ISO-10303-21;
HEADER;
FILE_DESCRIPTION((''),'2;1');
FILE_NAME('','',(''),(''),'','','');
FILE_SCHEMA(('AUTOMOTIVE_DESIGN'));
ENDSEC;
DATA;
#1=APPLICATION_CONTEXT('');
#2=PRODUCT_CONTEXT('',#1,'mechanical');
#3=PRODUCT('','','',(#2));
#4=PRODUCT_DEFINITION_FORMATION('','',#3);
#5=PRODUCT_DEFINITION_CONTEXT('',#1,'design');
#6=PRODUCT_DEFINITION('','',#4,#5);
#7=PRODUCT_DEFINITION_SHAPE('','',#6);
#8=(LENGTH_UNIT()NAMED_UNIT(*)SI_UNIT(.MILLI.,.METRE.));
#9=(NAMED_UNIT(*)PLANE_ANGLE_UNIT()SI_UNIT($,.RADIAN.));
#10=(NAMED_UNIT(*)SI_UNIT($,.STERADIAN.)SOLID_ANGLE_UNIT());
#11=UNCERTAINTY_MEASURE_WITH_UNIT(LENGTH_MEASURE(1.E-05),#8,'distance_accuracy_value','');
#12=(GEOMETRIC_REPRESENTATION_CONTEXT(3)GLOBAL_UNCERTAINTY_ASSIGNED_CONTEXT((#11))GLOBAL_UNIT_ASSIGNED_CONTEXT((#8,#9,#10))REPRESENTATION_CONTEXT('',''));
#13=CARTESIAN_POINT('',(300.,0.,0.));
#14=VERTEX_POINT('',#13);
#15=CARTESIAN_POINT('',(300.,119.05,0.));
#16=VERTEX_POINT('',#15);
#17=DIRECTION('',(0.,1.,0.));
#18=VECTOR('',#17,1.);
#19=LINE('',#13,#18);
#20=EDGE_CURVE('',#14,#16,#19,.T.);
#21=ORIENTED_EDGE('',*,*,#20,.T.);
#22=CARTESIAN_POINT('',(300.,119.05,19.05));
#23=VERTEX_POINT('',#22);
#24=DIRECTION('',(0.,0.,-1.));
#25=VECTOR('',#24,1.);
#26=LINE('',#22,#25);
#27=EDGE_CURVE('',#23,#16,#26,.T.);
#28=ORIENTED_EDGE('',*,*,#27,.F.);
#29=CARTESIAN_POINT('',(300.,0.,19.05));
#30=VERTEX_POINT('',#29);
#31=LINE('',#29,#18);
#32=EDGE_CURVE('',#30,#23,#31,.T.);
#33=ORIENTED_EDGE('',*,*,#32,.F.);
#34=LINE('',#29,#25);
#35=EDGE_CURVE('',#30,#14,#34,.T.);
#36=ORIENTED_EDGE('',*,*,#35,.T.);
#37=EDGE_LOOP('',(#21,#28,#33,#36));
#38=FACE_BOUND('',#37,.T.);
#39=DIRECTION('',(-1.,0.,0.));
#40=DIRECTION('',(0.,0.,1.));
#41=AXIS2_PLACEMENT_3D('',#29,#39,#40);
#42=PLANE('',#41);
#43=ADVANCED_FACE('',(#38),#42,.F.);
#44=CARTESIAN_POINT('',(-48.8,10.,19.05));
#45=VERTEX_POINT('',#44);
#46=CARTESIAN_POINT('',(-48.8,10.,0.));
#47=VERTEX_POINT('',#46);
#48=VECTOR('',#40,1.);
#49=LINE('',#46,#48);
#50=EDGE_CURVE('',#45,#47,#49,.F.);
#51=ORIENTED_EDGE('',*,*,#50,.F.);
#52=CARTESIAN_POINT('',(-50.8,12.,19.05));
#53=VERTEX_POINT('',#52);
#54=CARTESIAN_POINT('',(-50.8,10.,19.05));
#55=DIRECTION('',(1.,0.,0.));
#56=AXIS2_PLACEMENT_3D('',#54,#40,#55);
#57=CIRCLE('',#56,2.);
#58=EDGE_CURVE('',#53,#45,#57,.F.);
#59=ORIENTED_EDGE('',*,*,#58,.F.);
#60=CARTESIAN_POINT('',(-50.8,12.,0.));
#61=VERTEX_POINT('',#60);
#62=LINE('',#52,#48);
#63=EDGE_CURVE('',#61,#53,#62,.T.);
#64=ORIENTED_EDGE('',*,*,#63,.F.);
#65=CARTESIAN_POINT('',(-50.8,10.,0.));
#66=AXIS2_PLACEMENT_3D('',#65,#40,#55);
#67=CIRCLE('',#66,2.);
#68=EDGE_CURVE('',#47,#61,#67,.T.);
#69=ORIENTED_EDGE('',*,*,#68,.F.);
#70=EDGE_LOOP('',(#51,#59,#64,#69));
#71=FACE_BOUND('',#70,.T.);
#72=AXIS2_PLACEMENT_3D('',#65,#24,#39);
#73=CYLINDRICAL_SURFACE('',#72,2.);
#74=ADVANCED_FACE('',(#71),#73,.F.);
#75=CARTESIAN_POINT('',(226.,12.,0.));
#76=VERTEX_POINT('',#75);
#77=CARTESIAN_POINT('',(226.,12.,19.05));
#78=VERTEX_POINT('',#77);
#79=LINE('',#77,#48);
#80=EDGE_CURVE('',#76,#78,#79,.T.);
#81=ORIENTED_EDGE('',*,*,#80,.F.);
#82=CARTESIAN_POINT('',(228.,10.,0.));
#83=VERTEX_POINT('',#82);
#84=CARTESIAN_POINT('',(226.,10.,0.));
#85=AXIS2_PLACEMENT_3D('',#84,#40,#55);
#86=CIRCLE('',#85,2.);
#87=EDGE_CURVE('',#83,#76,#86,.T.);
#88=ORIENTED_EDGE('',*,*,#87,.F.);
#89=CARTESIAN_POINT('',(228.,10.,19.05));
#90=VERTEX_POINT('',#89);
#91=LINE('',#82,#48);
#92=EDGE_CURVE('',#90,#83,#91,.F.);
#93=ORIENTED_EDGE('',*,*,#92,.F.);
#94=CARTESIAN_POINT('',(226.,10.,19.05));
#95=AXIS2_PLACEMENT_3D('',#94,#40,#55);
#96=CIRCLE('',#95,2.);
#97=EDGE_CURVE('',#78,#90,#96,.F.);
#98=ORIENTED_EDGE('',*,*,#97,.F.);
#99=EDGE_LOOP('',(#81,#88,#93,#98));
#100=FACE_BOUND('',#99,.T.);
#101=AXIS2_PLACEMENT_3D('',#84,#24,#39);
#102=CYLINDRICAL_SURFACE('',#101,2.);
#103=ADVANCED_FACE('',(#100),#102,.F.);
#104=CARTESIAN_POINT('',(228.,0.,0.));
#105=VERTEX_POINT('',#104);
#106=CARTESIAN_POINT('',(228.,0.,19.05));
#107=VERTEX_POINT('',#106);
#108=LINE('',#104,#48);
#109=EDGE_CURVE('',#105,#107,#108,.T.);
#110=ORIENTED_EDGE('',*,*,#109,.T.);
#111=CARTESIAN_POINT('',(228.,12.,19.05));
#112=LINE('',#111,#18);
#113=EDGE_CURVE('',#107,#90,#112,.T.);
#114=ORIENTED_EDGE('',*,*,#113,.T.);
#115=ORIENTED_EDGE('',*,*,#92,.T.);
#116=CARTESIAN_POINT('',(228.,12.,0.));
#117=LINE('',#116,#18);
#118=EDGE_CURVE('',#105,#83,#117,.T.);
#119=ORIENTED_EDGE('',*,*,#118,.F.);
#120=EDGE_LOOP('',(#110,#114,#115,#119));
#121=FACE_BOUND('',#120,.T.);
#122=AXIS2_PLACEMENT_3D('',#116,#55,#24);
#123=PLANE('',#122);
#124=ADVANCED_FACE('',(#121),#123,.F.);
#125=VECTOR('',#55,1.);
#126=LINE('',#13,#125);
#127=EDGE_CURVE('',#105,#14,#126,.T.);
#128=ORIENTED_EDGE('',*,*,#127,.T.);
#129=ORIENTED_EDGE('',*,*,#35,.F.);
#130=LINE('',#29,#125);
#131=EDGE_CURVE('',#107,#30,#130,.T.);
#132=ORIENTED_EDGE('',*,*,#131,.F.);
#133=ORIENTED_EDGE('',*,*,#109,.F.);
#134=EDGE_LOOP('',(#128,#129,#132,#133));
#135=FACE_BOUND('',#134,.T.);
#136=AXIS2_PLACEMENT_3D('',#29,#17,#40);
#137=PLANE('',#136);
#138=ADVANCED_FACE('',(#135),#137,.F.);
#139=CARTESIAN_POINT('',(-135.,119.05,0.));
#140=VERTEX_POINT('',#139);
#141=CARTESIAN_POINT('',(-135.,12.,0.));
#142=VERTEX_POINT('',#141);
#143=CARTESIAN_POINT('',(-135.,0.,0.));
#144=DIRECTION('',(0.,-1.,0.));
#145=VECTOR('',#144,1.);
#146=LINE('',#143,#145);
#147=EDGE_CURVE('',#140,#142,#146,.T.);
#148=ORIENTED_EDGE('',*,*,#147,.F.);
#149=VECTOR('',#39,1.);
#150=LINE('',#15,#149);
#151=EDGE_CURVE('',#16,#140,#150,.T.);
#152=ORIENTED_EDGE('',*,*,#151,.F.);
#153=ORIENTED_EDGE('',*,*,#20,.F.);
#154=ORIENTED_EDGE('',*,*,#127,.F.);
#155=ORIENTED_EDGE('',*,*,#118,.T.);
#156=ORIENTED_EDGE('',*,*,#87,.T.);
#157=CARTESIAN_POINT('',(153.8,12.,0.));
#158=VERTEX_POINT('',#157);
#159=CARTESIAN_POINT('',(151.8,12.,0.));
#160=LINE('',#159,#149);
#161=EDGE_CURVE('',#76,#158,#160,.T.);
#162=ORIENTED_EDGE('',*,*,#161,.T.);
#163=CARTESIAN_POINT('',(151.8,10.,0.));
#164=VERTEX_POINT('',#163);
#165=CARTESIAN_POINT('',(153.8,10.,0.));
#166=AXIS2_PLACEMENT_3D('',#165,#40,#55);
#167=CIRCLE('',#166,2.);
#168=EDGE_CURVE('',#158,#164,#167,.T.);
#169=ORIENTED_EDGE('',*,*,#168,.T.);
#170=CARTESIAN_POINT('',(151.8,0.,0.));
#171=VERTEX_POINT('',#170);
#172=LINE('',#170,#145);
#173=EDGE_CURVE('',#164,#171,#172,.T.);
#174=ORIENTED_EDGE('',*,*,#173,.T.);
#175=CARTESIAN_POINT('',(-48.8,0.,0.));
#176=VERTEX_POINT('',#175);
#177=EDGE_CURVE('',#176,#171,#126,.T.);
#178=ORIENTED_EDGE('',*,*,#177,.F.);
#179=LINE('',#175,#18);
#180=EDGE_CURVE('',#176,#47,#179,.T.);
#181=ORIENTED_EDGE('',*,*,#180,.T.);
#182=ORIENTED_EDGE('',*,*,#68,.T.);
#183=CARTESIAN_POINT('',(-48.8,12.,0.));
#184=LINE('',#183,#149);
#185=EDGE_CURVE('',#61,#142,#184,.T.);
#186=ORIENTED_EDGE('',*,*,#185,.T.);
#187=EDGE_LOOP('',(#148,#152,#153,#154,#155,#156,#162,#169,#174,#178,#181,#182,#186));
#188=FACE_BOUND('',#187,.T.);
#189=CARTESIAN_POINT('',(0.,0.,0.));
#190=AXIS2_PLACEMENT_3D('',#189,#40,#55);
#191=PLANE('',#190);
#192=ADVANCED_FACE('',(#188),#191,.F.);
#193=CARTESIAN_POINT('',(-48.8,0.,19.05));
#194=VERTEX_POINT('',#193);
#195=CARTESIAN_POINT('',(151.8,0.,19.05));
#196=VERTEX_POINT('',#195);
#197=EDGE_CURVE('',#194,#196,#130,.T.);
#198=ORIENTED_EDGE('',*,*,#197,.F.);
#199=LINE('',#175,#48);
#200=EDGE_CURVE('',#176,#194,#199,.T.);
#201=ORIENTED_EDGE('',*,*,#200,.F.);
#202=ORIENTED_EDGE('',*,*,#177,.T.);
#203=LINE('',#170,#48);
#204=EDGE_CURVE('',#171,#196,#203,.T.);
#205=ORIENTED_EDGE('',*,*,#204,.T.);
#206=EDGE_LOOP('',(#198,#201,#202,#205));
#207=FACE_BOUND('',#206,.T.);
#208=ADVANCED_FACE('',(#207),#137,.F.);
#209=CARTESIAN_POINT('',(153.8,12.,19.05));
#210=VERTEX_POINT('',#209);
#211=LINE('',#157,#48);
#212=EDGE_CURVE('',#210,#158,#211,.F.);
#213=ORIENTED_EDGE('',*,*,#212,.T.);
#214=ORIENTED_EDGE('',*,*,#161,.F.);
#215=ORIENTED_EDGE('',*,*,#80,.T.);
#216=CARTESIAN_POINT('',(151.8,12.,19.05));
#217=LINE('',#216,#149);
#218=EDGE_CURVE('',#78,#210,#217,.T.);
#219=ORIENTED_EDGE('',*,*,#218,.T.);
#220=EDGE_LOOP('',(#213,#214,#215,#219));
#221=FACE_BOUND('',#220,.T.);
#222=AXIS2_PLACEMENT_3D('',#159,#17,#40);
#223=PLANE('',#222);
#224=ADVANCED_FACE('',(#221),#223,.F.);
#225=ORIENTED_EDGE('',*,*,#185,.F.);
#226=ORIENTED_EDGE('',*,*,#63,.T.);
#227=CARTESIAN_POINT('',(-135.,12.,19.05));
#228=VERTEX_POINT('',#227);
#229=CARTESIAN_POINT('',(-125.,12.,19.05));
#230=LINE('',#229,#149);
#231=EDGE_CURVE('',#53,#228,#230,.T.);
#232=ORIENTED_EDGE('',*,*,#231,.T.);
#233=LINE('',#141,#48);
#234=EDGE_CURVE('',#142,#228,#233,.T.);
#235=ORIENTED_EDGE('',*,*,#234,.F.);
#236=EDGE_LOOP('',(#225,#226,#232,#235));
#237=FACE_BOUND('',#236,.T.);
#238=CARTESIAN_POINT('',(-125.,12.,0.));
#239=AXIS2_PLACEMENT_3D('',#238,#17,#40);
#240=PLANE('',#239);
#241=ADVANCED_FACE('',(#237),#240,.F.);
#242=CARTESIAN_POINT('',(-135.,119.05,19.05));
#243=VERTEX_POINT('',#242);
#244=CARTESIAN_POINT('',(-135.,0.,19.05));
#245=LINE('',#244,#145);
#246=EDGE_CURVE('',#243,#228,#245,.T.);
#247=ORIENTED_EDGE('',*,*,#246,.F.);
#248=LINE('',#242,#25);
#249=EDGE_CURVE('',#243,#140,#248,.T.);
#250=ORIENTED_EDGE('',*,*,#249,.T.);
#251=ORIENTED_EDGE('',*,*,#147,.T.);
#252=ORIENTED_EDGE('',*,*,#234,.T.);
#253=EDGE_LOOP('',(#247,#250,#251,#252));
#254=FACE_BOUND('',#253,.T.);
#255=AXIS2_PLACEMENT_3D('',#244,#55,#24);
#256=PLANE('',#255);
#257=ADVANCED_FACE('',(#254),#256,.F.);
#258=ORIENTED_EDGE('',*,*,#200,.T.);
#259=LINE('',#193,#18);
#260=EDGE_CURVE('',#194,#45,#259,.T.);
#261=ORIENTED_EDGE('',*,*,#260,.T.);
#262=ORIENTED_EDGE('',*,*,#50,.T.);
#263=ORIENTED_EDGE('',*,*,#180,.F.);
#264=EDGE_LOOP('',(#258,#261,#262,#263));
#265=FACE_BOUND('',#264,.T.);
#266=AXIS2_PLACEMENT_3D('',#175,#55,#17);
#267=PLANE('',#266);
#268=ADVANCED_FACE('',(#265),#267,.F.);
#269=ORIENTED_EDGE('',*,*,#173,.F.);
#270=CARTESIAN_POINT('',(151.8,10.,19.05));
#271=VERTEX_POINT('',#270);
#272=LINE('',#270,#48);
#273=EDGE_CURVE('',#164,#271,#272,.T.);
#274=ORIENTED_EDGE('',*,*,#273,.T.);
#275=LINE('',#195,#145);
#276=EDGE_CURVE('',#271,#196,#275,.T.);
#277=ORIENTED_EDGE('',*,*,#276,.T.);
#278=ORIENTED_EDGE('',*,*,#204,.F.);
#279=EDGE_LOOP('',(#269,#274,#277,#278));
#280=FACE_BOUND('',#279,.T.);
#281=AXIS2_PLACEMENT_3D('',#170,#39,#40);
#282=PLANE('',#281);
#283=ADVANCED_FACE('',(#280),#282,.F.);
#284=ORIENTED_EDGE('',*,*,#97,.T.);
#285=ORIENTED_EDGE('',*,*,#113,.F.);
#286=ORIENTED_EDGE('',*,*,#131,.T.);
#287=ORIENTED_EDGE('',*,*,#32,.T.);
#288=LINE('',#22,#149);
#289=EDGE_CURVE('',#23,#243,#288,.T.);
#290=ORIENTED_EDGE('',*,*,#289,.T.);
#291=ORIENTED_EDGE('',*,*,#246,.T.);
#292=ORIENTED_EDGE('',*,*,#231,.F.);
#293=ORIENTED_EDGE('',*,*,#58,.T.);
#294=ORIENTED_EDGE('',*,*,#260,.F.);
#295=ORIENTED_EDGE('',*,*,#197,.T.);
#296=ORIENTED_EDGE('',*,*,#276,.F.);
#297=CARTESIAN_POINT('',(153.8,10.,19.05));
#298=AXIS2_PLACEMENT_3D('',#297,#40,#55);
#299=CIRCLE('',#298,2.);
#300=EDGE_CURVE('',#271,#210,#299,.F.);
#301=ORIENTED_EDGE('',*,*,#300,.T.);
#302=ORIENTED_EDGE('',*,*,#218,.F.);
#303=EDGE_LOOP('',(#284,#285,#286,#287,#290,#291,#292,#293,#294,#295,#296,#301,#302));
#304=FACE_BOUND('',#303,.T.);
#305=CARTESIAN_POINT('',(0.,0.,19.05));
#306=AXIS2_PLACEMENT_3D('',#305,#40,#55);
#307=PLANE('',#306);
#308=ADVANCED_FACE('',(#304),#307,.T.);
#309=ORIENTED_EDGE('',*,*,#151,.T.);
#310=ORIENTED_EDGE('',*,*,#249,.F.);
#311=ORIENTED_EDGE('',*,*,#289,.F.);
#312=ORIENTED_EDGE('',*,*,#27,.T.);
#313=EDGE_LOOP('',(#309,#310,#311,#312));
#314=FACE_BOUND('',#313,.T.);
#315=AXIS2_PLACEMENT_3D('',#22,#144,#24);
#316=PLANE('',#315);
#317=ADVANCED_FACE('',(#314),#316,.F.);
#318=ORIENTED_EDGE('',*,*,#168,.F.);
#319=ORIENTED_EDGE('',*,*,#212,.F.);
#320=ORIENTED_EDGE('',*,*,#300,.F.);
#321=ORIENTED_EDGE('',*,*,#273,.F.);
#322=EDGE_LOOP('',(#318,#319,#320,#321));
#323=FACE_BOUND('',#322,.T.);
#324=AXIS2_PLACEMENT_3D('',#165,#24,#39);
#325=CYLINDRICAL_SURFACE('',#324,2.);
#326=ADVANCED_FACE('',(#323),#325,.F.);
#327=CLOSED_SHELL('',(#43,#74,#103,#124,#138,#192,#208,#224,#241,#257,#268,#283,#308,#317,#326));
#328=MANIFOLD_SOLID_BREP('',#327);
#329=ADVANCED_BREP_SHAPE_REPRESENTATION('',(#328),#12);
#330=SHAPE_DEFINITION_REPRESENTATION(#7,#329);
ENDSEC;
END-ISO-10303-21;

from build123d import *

# Parameters (mm, degrees)
SKETCH1_W           = 435
SKETCH1_H           = 119.05
BOSS_EXTRUDE1_DEPTH = 19.05
SKETCH2_W           = 76.2
SKETCH2_H           = 12
CUT_EXTRUDE1_DEPTH  = 324.319973092
FILLET1_R           = 2


with BuildPart() as part:
    # Sketch1 → Boss-Extrude1 (new body)
    with BuildSketch(Plane.XY):
        with Locations((82.5, 59.525)):
            Rectangle(SKETCH1_W, SKETCH1_H)
    extrude(amount=BOSS_EXTRUDE1_DEPTH)

    # Sketch2 → Cut-Extrude1 (cut, through all)
    with BuildSketch(Plane.XY.offset(19.05)):
        Polygon((-48.8, 12), (-125, 12), (-135, 12), (-135, 0), (-125, 0), (-48.8, 0), align=None)
        with Locations((189.9, 6)):
            Rectangle(SKETCH2_W, SKETCH2_H)
    extrude(amount=-CUT_EXTRUDE1_DEPTH, mode=Mode.SUBTRACT)

    # Fillet1
    fillet1_edges = [part.edges().sort_by_distance(p)[0] for p in [
        (-48.8, 12, 9.525),
        (151.8, 12, 9.525),
        (228, 12, 9.525),
    ]]
    fillet(fillet1_edges, radius=FILLET1_R)


solid = part.part
